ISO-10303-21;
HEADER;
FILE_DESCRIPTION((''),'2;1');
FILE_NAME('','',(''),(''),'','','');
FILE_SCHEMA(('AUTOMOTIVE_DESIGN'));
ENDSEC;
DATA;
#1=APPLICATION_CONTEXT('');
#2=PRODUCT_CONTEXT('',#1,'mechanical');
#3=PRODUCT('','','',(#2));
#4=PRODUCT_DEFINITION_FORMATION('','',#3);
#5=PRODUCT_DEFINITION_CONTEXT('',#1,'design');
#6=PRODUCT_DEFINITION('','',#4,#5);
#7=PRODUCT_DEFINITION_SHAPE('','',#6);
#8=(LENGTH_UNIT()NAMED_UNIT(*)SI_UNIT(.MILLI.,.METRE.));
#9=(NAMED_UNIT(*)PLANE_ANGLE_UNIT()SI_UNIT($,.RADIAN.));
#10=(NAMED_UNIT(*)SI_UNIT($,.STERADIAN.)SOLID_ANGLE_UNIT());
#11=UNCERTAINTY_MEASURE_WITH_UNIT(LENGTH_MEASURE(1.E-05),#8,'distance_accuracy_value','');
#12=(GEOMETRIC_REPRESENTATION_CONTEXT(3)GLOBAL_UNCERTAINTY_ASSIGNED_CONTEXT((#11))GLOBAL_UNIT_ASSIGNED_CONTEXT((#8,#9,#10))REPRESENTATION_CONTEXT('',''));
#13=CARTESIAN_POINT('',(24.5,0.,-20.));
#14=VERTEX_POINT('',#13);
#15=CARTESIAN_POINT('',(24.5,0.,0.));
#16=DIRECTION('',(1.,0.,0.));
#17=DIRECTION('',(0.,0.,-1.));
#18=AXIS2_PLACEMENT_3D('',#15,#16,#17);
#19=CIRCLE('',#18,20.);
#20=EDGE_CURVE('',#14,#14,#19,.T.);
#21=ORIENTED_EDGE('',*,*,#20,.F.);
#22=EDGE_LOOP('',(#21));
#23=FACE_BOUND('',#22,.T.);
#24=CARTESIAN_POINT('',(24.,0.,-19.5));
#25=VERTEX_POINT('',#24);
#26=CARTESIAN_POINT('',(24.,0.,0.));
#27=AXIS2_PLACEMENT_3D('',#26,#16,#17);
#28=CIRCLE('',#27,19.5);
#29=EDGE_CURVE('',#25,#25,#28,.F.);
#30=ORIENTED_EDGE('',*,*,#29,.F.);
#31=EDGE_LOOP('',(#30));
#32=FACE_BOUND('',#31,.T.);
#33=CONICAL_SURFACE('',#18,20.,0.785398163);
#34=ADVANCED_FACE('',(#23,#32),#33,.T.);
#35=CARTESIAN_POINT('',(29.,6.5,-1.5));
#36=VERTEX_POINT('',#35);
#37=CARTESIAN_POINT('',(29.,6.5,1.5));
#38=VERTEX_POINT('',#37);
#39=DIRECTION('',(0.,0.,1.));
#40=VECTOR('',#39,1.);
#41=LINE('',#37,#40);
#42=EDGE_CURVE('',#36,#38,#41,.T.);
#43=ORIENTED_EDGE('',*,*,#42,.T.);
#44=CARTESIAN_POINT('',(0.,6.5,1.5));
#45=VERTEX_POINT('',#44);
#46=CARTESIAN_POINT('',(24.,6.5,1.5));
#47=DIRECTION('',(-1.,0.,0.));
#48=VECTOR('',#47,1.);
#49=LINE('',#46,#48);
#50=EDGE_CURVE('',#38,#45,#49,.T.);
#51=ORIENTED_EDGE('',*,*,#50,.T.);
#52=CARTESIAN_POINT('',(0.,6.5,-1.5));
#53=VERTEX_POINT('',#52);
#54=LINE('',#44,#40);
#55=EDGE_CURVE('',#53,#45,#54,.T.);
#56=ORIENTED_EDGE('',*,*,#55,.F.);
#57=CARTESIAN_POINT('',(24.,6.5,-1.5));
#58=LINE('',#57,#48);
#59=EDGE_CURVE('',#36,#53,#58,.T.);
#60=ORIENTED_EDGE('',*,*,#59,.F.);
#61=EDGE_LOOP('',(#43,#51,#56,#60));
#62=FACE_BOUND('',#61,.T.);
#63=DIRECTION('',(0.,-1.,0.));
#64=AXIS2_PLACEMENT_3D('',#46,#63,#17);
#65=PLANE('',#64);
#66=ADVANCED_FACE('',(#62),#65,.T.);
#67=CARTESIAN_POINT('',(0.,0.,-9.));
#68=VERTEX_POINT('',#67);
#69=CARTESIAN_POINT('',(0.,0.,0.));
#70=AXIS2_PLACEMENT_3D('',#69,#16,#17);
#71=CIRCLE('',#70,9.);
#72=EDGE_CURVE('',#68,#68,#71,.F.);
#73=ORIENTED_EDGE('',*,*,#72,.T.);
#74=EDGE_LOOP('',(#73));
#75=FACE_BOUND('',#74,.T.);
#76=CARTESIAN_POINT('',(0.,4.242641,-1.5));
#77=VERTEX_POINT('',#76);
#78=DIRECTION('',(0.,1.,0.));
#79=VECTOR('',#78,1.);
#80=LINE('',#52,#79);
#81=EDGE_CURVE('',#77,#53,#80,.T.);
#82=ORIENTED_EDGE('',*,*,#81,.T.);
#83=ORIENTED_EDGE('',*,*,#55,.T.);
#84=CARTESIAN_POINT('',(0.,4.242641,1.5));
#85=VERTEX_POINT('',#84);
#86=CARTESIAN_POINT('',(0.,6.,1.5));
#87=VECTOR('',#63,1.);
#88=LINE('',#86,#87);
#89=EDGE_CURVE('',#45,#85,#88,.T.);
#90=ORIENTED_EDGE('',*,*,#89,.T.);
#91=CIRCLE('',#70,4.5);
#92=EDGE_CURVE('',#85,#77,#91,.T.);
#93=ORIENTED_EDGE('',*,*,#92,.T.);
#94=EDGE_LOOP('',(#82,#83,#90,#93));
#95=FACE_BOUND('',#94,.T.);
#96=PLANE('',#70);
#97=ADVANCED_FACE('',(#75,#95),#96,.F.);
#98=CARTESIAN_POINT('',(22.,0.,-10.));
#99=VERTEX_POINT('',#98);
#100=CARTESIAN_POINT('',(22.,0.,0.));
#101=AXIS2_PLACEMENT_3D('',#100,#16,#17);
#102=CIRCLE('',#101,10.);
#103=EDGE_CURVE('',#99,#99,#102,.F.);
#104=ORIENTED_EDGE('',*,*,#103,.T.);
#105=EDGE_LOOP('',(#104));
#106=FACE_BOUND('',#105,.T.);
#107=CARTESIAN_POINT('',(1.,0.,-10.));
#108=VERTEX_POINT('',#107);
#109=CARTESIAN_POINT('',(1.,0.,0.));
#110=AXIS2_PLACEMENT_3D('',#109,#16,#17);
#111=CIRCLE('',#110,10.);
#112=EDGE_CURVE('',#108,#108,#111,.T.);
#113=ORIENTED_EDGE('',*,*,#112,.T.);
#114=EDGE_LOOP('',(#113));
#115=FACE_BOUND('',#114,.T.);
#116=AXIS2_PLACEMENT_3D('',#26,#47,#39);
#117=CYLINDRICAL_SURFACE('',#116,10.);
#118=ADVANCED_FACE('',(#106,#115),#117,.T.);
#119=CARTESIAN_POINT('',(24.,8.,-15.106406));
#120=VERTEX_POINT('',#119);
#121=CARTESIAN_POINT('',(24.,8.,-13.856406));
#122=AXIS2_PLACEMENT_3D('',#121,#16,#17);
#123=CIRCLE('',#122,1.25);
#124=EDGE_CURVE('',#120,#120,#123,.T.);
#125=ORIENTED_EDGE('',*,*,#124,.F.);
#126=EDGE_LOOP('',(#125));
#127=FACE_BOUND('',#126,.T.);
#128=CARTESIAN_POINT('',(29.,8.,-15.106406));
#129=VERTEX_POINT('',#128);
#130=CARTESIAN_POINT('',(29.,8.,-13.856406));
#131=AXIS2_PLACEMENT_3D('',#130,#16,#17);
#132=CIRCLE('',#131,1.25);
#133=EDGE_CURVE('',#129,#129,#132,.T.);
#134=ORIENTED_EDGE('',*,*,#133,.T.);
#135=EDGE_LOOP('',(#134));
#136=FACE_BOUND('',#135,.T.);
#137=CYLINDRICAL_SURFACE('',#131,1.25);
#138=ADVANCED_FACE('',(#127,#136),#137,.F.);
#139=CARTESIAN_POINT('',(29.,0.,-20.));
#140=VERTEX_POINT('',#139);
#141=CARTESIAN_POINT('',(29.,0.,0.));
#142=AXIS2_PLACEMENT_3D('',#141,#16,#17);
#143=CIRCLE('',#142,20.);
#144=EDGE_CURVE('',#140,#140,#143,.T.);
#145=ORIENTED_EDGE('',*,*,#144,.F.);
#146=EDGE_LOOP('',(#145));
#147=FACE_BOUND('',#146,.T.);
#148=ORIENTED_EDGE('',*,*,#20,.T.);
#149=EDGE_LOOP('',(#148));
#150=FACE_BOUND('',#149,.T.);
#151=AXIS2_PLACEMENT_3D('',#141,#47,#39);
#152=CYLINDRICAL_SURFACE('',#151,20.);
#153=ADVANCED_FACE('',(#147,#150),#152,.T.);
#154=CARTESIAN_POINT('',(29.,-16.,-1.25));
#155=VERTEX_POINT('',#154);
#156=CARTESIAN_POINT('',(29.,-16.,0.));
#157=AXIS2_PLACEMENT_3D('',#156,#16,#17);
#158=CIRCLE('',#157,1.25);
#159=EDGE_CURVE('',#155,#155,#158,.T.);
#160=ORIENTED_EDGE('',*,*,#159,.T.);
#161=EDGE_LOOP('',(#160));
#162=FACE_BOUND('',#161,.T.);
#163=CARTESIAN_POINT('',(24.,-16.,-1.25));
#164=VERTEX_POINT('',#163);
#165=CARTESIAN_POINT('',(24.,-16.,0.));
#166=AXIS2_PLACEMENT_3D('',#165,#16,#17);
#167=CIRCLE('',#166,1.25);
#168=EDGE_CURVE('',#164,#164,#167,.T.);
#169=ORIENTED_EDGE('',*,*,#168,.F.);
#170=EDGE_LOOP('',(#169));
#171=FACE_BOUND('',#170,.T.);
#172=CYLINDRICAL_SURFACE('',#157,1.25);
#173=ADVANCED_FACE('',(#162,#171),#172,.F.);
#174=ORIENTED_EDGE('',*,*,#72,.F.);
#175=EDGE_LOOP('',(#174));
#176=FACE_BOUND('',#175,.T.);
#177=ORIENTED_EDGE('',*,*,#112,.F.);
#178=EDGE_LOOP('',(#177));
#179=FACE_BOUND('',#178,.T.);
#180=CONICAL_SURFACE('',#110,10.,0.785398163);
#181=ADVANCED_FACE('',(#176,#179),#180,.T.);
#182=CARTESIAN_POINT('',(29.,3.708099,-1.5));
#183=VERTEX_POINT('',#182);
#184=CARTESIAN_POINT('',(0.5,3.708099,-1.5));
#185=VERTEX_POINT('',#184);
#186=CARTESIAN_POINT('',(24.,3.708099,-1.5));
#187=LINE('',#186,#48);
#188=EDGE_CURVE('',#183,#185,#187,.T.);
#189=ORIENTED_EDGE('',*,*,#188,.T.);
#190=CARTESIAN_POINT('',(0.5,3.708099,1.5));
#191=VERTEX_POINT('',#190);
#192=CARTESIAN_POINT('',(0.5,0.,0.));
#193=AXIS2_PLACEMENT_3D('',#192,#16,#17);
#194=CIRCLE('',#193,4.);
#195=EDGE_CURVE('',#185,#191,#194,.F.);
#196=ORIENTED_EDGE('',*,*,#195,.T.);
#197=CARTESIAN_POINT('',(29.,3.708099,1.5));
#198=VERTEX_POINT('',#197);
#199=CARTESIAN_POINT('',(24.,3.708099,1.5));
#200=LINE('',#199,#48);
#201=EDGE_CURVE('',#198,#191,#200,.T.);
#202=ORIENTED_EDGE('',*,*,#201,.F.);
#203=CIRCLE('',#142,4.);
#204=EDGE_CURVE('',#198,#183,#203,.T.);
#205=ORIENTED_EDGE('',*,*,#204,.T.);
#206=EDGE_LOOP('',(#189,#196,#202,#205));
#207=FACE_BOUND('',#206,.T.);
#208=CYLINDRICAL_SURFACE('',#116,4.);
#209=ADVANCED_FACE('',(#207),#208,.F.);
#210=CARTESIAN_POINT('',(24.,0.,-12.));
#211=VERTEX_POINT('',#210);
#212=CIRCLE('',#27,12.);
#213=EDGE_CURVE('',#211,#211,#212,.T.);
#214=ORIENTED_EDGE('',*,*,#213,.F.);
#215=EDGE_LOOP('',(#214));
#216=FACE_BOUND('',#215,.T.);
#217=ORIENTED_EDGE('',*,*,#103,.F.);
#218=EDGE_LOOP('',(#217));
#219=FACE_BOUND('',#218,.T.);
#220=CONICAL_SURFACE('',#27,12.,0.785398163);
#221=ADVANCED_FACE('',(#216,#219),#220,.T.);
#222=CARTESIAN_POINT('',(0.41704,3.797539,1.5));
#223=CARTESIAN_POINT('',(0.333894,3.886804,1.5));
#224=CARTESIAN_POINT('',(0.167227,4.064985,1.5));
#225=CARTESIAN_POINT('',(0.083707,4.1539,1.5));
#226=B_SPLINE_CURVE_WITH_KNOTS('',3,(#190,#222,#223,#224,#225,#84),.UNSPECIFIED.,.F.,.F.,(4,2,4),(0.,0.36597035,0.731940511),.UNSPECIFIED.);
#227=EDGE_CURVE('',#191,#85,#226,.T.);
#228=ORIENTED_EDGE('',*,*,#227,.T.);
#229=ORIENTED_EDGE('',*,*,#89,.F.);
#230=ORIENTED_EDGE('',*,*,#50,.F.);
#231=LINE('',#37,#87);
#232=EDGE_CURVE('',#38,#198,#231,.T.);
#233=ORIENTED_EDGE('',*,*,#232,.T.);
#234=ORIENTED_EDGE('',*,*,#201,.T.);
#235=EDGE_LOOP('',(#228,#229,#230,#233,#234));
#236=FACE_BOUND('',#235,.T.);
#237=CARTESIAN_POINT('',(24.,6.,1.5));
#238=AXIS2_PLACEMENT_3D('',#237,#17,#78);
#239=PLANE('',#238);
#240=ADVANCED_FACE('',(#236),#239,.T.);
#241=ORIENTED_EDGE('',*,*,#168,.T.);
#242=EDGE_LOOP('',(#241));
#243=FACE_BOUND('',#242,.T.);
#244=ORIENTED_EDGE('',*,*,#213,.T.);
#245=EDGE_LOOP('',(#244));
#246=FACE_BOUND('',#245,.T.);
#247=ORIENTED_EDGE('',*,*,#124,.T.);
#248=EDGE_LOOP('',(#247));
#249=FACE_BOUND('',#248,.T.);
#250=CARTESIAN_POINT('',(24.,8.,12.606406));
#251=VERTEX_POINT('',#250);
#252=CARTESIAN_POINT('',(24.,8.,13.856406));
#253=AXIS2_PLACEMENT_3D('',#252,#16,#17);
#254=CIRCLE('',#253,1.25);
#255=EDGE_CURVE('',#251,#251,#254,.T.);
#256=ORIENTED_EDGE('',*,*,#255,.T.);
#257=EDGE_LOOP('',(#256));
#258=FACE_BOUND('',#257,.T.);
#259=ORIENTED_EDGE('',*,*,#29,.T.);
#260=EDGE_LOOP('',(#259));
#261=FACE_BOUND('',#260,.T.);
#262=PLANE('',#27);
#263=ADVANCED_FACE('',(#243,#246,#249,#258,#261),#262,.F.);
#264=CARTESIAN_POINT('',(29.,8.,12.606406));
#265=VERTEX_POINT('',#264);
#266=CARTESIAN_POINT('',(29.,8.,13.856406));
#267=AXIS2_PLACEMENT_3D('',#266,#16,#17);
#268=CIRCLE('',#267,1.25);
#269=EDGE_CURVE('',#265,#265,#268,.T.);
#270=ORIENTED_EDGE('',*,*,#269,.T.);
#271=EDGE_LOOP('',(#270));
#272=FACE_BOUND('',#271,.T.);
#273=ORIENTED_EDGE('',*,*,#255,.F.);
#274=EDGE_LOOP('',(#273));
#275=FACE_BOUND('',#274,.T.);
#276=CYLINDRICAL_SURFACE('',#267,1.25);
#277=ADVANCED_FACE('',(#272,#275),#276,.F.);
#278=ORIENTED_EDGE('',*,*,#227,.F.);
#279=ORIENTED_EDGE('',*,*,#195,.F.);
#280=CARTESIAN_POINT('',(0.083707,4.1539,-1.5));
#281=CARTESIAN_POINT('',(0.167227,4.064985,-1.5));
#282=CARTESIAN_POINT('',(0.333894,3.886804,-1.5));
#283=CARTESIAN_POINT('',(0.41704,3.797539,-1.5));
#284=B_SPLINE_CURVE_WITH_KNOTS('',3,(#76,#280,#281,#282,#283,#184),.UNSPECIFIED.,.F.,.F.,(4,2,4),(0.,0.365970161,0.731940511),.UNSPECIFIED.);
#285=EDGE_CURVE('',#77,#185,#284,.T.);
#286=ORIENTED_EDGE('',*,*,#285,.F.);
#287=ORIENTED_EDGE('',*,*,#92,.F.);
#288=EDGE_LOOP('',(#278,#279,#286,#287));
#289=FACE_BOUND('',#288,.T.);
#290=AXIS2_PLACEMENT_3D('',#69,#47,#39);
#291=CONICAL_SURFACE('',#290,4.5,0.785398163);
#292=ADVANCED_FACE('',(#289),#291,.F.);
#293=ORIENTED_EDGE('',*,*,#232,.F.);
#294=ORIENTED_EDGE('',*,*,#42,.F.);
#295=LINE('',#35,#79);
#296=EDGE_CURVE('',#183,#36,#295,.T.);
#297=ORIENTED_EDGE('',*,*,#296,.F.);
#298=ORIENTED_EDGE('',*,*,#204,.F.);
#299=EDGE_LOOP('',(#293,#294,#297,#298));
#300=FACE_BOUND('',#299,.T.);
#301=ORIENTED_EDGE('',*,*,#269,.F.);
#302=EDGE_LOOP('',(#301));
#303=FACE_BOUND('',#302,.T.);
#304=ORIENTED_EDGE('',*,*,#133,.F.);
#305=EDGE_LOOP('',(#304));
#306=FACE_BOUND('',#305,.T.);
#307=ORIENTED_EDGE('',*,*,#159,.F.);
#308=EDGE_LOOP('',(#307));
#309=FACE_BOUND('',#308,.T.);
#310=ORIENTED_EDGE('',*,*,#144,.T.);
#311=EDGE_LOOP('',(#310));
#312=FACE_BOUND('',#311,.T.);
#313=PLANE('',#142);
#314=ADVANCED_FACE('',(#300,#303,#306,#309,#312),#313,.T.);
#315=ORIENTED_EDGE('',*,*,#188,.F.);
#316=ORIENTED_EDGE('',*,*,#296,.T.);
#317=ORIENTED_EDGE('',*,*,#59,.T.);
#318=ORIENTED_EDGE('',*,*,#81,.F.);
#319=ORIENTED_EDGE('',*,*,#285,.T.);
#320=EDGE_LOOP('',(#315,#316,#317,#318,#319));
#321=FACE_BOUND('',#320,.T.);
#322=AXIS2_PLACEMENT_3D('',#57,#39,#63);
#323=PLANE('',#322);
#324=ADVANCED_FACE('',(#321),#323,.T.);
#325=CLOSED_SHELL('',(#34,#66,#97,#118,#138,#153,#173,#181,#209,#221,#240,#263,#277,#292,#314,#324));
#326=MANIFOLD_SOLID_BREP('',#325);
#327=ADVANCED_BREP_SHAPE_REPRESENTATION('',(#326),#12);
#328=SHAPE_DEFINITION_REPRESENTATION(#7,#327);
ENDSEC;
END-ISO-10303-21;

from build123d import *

# Parameters (mm, degrees)
SKETCH_1_R          = 10
EXTRUDE_1_DEPTH     = 24
SKETCH_2_R          = 20
EXTRUDE_2_DEPTH     = 5
M3X0_5_1_D          = 2.5
M3X0_5_1_DEPTH      = 7.5
M3X0_5_1_TIP        = 0.751075774
CUT_EXTRUDE_1_REACH = 42.509
CHAMFER_1_SIZE      = 0.5
CHAMFER_2_SIZE      = 1
CHAMFER_3_SIZE      = 0.5
CHAMFER_4_SIZE      = 2


with BuildPart() as part:
    # 草图1 → 凸台-拉伸1 (new body)
    with BuildSketch(Plane(origin=(0, 0, 0), x_dir=(0, 0, -1), z_dir=(1, 0, 0))):
        Circle(SKETCH_1_R)
        with BuildLine():
            Line((-1.5, 6), (-1.5, 6.5))
            Line((-1.5, 6.5), (1.5, 6.5))
            Line((1.5, 6.5), (1.5, 6))
            Line((1.5, 6), (1.5, 3.708099244))
            ThreePointArc((1.5, 3.708099244), (0, -4), (-1.5, 3.708099244))
            Line((-1.5, 3.708099244), (-1.5, 6))
        make_face(mode=Mode.SUBTRACT)
    extrude(amount=EXTRUDE_1_DEPTH)

    # 草图2 → 凸台-拉伸2 (add)
    with BuildSketch(Plane(origin=(24, 0, 0), x_dir=(0, 0, -1), z_dir=(1, 0, 0))):
        Circle(SKETCH_2_R)
    extrude(amount=EXTRUDE_2_DEPTH)

    # M3x0.5 螺纹孔1
    with Locations(Plane(origin=(29, 0, 0), x_dir=(0, 0, -1), z_dir=(1, 0, 0))):
        with Locations((-13.856406461, 8), (13.856406461, 8), (0, -16)):
            Hole(M3X0_5_1_D / 2, depth=M3X0_5_1_DEPTH)
            with Locations((0, 0, -(M3X0_5_1_DEPTH + M3X0_5_1_TIP / 2))):  # 118° drill point
                Cone(0, M3X0_5_1_D / 2, M3X0_5_1_TIP, mode=Mode.SUBTRACT)

    # 草图5 → 切除-拉伸1 (cut, up to next)
    with BuildSketch(Plane(origin=(29, 0, 0), x_dir=(0, 0, -1), z_dir=(1, 0, 0)), mode=Mode.PRIVATE) as cut_extrude_1_sk1:
        with BuildLine():
            Line((-1.5, 6.5), (-1.5, 3.708099244))
            ThreePointArc((-1.5, 3.708099244), (0, -4), (1.5, 3.708099244))
            Line((1.5, 3.708099244), (1.5, 6.5))
            Line((1.5, 6.5), (-1.5, 6.5))
        make_face()
    cut_extrude_1_tool1 = extrude(cut_extrude_1_sk1.sketch, amount=-CUT_EXTRUDE_1_REACH, mode=Mode.PRIVATE) & part.part
    add(cut_extrude_1_tool1.solids().sort_by_distance((29, 0.697639, 0))[0], mode=Mode.SUBTRACT)

    # 倒角1
    chamfer_1_edges = [part.edges().sort_by_distance(p)[0] for p in [
        (0, -4, 0),
    ]]
    chamfer(chamfer_1_edges, length=CHAMFER_1_SIZE)

    # 倒角2
    chamfer_2_edges = [part.edges().sort_by_distance(p)[0] for p in [
        (0, 0, 10),
    ]]
    chamfer(chamfer_2_edges, length=CHAMFER_2_SIZE)

    # 倒角3
    chamfer_3_edges = [part.edges().sort_by_distance(p)[0] for p in [
        (24, 0, 20),
    ]]
    chamfer(chamfer_3_edges, length=CHAMFER_3_SIZE)

    # 倒角4
    chamfer_4_edges = [part.edges().sort_by_distance(p)[0] for p in [
        (24, 0, 10),
    ]]
    chamfer(chamfer_4_edges, length=CHAMFER_4_SIZE)


solid = part.part
